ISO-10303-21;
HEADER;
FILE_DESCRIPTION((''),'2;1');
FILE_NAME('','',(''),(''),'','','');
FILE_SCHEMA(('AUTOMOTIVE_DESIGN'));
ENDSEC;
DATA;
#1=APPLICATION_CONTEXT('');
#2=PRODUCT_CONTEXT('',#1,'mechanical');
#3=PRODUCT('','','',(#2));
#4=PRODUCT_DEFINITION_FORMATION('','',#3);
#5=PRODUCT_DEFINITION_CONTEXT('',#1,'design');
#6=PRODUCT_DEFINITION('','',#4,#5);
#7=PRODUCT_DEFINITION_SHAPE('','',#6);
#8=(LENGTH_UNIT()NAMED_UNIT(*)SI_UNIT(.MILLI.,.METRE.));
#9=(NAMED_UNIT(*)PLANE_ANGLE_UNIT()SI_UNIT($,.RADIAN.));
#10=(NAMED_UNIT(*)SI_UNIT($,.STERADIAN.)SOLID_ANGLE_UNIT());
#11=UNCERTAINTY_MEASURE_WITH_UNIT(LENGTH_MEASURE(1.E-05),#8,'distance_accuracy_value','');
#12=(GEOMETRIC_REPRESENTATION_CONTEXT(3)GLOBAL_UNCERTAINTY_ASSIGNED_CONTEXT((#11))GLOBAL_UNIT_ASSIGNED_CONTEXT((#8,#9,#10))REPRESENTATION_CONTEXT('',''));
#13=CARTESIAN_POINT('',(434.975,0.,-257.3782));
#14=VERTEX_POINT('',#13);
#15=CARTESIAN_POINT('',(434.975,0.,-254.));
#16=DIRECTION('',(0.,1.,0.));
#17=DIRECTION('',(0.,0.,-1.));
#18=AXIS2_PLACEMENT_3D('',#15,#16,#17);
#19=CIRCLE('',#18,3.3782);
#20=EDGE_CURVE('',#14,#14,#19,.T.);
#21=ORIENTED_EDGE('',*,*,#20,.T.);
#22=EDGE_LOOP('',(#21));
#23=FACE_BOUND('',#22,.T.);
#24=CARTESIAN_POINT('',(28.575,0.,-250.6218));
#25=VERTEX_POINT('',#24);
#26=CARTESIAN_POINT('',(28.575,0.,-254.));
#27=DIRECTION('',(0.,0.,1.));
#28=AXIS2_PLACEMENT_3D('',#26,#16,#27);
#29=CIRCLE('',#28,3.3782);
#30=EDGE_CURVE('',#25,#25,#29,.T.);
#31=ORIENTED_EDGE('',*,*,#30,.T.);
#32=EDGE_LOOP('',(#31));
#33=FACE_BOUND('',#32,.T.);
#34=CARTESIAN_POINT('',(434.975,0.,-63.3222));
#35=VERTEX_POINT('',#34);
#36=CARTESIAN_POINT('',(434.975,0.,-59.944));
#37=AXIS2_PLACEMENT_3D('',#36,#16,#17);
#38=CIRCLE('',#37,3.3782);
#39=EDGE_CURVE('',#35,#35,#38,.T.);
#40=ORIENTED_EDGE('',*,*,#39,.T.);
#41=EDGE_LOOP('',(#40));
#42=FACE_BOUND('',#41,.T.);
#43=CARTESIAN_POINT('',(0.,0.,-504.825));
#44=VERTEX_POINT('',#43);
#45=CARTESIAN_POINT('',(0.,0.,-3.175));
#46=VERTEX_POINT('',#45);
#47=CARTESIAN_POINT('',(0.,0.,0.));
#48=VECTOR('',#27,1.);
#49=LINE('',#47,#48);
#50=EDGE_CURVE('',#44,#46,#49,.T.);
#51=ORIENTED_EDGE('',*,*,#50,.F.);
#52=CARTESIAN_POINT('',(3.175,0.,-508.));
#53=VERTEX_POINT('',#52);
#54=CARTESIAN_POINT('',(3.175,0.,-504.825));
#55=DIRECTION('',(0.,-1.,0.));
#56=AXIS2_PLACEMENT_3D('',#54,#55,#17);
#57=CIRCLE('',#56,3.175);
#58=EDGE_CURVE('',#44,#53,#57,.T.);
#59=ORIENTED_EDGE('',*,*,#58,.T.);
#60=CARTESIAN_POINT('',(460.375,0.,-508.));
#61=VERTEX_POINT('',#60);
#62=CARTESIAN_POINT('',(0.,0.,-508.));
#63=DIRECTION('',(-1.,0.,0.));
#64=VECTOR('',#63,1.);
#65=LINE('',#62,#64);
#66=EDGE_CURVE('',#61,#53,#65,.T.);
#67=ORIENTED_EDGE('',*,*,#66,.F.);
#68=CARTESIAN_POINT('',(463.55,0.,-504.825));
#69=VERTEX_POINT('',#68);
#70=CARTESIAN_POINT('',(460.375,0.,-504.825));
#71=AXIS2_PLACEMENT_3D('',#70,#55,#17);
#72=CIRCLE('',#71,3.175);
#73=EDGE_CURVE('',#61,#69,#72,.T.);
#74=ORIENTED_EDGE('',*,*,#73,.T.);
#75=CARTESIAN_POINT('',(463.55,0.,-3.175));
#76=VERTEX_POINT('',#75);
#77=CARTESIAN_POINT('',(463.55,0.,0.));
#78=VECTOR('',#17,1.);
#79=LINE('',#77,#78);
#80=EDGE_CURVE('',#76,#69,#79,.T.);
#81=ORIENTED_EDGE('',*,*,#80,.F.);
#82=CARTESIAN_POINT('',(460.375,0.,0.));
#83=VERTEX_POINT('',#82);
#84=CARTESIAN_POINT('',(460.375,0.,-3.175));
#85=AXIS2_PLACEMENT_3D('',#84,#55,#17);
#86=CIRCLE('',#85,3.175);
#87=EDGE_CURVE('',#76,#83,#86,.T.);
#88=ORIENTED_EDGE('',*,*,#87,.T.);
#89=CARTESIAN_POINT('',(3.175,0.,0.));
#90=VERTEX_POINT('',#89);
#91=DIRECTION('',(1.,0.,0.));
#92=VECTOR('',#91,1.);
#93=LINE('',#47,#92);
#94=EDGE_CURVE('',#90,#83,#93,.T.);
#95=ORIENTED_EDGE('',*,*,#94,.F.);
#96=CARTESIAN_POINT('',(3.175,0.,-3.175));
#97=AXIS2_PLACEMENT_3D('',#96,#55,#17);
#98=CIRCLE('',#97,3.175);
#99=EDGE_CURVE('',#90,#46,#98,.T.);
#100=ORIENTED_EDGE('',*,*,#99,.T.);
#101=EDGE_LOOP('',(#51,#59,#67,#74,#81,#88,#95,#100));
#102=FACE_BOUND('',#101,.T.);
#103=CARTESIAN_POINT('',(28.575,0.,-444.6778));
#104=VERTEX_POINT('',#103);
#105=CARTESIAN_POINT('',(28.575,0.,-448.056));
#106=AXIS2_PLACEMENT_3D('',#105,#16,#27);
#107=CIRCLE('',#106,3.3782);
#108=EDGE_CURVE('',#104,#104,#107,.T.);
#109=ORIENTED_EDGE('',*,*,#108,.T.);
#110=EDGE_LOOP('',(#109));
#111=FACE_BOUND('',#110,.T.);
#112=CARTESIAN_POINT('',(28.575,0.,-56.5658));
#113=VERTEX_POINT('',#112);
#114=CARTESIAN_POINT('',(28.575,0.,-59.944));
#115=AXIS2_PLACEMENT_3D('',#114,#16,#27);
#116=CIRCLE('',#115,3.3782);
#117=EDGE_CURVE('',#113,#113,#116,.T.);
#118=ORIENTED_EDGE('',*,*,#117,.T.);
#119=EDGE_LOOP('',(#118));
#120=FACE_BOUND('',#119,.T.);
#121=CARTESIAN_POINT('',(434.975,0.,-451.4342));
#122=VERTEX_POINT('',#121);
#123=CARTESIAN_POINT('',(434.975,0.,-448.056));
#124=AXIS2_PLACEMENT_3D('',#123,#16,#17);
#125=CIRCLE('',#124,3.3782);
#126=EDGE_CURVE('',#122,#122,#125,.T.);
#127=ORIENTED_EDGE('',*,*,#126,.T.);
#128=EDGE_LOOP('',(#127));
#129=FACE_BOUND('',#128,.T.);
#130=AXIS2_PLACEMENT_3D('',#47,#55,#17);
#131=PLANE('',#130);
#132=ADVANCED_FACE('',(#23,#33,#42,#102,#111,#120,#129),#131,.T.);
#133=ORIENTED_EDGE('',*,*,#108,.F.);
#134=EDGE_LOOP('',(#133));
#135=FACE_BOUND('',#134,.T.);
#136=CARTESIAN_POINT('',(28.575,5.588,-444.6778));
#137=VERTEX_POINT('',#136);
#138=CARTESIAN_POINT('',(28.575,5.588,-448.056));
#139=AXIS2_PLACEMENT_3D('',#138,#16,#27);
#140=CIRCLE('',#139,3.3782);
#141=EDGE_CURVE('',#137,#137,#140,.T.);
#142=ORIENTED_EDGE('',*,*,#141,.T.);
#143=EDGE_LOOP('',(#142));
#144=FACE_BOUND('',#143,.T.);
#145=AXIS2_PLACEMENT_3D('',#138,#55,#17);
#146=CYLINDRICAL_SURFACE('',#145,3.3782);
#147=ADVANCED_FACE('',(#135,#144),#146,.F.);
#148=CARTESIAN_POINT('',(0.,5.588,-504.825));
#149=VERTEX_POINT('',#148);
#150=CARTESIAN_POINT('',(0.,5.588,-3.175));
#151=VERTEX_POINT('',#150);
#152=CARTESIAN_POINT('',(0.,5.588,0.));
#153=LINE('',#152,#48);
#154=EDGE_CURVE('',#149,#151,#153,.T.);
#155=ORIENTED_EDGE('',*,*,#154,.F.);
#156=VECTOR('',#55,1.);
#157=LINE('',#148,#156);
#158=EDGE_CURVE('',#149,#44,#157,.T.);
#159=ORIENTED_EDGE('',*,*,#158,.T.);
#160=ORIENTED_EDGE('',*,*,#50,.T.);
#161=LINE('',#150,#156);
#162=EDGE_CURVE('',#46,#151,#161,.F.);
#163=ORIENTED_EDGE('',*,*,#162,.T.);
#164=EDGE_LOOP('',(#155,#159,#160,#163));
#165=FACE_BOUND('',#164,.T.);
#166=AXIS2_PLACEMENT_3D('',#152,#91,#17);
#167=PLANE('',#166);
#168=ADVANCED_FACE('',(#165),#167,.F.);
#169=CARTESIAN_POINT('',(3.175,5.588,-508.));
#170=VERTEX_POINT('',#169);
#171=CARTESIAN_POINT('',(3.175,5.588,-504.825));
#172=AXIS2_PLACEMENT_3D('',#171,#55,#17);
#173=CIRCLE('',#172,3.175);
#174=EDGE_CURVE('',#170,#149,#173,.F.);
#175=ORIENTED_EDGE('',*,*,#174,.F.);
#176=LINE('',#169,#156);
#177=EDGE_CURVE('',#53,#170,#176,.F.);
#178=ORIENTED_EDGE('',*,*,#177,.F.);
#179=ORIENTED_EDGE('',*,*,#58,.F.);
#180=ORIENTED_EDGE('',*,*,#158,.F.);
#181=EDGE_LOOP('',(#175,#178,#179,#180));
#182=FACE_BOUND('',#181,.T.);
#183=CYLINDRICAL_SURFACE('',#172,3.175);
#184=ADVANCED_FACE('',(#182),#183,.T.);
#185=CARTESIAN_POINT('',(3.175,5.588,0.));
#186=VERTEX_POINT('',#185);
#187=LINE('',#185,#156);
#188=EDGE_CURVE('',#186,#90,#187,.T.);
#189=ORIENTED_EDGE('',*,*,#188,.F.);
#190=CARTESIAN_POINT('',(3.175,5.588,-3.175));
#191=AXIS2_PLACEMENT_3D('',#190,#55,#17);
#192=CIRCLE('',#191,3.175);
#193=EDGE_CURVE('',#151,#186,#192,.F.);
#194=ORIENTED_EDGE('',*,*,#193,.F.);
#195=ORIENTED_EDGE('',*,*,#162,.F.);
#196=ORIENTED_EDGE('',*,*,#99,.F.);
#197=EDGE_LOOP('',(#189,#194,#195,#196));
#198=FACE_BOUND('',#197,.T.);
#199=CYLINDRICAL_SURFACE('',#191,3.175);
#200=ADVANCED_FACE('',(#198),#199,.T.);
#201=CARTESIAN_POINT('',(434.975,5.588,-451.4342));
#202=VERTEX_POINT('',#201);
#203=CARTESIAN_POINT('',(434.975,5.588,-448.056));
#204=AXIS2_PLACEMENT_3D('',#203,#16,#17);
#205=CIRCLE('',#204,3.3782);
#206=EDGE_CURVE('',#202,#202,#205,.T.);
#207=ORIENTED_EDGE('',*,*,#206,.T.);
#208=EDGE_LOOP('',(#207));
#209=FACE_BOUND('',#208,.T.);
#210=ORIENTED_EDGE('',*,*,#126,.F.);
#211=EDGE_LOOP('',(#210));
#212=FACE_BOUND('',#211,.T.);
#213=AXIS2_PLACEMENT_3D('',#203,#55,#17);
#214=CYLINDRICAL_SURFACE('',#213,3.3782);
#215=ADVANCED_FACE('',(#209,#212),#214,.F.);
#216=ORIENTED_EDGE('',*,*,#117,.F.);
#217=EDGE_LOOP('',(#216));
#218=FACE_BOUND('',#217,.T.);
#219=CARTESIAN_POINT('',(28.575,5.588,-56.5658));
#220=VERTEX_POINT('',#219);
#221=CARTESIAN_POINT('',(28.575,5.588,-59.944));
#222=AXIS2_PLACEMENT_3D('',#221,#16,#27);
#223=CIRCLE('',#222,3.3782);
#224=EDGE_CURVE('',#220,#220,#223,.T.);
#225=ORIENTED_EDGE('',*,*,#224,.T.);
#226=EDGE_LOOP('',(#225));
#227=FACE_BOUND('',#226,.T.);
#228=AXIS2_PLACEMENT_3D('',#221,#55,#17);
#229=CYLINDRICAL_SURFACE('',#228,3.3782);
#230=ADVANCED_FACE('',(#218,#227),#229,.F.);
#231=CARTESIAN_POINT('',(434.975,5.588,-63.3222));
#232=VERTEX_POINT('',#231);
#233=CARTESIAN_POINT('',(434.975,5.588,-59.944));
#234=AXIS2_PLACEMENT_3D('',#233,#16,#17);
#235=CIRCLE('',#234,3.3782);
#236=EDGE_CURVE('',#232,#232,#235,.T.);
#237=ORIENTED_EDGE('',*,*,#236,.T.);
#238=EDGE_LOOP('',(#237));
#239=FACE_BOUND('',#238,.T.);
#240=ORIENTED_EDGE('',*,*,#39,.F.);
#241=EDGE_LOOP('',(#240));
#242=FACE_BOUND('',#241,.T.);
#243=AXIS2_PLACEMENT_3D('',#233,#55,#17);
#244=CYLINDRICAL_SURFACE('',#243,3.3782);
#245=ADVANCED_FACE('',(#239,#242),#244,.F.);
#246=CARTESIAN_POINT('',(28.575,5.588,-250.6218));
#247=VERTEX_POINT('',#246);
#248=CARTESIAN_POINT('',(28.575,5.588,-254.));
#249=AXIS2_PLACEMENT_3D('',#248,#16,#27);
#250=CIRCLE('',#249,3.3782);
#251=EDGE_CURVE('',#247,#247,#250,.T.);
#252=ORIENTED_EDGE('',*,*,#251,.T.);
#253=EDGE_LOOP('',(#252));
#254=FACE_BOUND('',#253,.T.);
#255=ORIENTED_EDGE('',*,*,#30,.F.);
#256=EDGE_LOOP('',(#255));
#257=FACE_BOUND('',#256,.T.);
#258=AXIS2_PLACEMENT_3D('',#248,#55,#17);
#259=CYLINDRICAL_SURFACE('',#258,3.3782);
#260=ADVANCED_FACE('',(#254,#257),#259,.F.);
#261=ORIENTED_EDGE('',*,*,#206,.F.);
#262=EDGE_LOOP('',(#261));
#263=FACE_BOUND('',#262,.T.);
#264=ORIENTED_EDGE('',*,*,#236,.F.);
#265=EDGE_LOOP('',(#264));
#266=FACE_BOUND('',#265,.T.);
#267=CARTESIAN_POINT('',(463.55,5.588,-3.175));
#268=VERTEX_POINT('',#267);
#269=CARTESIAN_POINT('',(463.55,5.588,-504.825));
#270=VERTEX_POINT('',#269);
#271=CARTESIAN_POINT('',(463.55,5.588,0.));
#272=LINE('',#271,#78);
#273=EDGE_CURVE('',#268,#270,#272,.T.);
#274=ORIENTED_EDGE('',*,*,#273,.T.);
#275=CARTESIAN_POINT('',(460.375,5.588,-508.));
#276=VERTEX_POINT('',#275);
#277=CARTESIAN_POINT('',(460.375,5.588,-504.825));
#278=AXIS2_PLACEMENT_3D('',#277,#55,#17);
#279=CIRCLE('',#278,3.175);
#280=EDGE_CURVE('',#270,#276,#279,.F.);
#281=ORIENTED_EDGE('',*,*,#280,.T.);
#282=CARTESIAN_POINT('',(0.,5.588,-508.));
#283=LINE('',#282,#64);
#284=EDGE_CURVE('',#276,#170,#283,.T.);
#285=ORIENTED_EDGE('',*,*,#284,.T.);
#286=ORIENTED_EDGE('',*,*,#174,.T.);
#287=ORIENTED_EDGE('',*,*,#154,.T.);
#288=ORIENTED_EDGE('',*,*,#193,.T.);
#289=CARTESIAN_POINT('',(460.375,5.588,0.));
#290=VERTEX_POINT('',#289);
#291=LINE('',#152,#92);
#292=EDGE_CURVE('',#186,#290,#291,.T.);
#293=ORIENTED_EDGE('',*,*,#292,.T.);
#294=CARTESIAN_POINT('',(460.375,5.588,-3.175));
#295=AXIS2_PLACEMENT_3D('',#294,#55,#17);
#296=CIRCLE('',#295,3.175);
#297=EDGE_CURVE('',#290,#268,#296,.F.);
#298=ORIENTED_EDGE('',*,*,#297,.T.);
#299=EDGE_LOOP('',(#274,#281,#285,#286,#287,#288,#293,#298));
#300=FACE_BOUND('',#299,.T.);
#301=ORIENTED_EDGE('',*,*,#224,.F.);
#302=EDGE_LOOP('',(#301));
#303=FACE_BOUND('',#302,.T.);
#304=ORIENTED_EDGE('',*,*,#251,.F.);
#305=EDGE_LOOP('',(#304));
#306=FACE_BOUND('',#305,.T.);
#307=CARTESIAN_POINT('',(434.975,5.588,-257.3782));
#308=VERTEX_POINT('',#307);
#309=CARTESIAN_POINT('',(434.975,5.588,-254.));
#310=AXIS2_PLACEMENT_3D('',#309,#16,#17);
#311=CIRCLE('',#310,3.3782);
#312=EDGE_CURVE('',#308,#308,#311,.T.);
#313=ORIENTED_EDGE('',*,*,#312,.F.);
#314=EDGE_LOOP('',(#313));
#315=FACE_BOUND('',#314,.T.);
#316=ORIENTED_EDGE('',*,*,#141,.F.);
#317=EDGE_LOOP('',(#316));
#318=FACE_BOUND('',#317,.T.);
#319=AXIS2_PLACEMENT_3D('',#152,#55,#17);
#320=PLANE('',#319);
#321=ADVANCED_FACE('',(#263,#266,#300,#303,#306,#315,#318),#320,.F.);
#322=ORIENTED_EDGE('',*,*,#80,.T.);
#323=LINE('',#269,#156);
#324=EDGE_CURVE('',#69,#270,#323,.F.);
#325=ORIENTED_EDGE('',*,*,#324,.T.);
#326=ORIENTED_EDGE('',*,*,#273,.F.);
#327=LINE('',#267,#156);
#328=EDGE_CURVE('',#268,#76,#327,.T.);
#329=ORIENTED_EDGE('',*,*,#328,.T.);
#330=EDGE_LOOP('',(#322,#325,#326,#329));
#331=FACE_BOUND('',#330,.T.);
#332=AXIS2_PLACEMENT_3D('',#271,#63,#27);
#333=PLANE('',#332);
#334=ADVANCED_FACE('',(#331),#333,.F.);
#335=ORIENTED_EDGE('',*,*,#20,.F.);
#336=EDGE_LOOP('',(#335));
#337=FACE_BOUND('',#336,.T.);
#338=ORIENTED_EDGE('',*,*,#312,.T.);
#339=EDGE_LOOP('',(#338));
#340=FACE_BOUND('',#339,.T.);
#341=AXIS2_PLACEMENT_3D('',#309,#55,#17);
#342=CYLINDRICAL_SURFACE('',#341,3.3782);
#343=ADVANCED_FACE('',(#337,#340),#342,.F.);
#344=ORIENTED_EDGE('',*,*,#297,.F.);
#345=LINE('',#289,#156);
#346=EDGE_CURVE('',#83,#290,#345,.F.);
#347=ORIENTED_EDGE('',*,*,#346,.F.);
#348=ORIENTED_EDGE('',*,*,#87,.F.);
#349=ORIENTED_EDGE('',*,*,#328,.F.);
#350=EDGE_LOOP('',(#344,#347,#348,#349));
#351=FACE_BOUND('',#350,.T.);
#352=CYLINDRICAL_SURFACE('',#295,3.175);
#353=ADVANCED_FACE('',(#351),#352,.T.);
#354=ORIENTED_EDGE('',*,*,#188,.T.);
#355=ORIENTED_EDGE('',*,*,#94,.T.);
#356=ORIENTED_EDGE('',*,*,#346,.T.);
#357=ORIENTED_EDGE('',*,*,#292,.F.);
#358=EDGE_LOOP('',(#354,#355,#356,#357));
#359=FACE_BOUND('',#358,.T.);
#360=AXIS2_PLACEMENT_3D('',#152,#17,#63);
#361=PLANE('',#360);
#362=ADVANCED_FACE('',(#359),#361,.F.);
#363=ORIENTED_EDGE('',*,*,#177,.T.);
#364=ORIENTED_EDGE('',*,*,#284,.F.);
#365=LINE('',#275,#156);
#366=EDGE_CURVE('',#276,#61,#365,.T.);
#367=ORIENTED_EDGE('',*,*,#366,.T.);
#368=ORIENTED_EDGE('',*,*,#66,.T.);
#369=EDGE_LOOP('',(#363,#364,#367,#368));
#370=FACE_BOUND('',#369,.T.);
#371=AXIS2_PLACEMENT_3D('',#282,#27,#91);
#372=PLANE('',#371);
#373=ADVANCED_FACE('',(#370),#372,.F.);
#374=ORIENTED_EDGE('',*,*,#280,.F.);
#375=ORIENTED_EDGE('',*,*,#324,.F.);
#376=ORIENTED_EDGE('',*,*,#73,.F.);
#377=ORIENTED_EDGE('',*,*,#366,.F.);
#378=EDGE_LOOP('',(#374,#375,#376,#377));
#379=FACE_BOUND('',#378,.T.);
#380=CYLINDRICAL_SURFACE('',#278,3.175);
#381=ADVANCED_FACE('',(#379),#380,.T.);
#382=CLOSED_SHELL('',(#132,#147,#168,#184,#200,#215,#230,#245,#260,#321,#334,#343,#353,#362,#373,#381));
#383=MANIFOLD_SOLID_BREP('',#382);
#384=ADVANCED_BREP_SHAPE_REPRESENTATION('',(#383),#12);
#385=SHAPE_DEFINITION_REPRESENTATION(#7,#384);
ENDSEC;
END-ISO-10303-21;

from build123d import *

# Parameters (mm, degrees)
SKETCH1_W           = 463.55
SKETCH1_H           = 508
SKETCH1_R           = 3.3782
BOSS_EXTRUDE1_DEPTH = 5.588
FILLET1_R           = 3.175


with BuildPart() as part:
    # Sketch1 → Boss-Extrude1 (new body)
    with BuildSketch(Plane(origin=(0, 0, 0), x_dir=(1, 0, 0), z_dir=(0, 1, 0))):
        with Locations((231.775, 254)):
            Rectangle(SKETCH1_W, SKETCH1_H)
        with Locations(Location((28.575, 59.944, 0), (0, 0, 270))):
            Circle(SKETCH1_R, mode=Mode.SUBTRACT)
        with Locations(Location((28.575, 254, 0), (0, 0, 270))):
            Circle(SKETCH1_R, mode=Mode.SUBTRACT)
        with Locations(Location((28.575, 448.056, 0), (0, 0, 270))):
            Circle(SKETCH1_R, mode=Mode.SUBTRACT)
        with Locations(Location((434.975, 448.056, 0), (0, 0, 90))):
            Circle(SKETCH1_R, mode=Mode.SUBTRACT)
        with Locations(Location((434.975, 254, 0), (0, 0, 90))):
            Circle(SKETCH1_R, mode=Mode.SUBTRACT)
        with Locations(Location((434.975, 59.944, 0), (0, 0, 90))):
            Circle(SKETCH1_R, mode=Mode.SUBTRACT)
    extrude(amount=BOSS_EXTRUDE1_DEPTH)

    # Fillet1
    fillet1_edges = [part.edges().sort_by_distance(p)[0] for p in [
        (0, 2.794, -508),
        (463.55, 2.794, -508),
        (463.55, 2.794, 0),
        (0, 2.794, 0),
    ]]
    fillet(fillet1_edges, radius=FILLET1_R)


solid = part.part
